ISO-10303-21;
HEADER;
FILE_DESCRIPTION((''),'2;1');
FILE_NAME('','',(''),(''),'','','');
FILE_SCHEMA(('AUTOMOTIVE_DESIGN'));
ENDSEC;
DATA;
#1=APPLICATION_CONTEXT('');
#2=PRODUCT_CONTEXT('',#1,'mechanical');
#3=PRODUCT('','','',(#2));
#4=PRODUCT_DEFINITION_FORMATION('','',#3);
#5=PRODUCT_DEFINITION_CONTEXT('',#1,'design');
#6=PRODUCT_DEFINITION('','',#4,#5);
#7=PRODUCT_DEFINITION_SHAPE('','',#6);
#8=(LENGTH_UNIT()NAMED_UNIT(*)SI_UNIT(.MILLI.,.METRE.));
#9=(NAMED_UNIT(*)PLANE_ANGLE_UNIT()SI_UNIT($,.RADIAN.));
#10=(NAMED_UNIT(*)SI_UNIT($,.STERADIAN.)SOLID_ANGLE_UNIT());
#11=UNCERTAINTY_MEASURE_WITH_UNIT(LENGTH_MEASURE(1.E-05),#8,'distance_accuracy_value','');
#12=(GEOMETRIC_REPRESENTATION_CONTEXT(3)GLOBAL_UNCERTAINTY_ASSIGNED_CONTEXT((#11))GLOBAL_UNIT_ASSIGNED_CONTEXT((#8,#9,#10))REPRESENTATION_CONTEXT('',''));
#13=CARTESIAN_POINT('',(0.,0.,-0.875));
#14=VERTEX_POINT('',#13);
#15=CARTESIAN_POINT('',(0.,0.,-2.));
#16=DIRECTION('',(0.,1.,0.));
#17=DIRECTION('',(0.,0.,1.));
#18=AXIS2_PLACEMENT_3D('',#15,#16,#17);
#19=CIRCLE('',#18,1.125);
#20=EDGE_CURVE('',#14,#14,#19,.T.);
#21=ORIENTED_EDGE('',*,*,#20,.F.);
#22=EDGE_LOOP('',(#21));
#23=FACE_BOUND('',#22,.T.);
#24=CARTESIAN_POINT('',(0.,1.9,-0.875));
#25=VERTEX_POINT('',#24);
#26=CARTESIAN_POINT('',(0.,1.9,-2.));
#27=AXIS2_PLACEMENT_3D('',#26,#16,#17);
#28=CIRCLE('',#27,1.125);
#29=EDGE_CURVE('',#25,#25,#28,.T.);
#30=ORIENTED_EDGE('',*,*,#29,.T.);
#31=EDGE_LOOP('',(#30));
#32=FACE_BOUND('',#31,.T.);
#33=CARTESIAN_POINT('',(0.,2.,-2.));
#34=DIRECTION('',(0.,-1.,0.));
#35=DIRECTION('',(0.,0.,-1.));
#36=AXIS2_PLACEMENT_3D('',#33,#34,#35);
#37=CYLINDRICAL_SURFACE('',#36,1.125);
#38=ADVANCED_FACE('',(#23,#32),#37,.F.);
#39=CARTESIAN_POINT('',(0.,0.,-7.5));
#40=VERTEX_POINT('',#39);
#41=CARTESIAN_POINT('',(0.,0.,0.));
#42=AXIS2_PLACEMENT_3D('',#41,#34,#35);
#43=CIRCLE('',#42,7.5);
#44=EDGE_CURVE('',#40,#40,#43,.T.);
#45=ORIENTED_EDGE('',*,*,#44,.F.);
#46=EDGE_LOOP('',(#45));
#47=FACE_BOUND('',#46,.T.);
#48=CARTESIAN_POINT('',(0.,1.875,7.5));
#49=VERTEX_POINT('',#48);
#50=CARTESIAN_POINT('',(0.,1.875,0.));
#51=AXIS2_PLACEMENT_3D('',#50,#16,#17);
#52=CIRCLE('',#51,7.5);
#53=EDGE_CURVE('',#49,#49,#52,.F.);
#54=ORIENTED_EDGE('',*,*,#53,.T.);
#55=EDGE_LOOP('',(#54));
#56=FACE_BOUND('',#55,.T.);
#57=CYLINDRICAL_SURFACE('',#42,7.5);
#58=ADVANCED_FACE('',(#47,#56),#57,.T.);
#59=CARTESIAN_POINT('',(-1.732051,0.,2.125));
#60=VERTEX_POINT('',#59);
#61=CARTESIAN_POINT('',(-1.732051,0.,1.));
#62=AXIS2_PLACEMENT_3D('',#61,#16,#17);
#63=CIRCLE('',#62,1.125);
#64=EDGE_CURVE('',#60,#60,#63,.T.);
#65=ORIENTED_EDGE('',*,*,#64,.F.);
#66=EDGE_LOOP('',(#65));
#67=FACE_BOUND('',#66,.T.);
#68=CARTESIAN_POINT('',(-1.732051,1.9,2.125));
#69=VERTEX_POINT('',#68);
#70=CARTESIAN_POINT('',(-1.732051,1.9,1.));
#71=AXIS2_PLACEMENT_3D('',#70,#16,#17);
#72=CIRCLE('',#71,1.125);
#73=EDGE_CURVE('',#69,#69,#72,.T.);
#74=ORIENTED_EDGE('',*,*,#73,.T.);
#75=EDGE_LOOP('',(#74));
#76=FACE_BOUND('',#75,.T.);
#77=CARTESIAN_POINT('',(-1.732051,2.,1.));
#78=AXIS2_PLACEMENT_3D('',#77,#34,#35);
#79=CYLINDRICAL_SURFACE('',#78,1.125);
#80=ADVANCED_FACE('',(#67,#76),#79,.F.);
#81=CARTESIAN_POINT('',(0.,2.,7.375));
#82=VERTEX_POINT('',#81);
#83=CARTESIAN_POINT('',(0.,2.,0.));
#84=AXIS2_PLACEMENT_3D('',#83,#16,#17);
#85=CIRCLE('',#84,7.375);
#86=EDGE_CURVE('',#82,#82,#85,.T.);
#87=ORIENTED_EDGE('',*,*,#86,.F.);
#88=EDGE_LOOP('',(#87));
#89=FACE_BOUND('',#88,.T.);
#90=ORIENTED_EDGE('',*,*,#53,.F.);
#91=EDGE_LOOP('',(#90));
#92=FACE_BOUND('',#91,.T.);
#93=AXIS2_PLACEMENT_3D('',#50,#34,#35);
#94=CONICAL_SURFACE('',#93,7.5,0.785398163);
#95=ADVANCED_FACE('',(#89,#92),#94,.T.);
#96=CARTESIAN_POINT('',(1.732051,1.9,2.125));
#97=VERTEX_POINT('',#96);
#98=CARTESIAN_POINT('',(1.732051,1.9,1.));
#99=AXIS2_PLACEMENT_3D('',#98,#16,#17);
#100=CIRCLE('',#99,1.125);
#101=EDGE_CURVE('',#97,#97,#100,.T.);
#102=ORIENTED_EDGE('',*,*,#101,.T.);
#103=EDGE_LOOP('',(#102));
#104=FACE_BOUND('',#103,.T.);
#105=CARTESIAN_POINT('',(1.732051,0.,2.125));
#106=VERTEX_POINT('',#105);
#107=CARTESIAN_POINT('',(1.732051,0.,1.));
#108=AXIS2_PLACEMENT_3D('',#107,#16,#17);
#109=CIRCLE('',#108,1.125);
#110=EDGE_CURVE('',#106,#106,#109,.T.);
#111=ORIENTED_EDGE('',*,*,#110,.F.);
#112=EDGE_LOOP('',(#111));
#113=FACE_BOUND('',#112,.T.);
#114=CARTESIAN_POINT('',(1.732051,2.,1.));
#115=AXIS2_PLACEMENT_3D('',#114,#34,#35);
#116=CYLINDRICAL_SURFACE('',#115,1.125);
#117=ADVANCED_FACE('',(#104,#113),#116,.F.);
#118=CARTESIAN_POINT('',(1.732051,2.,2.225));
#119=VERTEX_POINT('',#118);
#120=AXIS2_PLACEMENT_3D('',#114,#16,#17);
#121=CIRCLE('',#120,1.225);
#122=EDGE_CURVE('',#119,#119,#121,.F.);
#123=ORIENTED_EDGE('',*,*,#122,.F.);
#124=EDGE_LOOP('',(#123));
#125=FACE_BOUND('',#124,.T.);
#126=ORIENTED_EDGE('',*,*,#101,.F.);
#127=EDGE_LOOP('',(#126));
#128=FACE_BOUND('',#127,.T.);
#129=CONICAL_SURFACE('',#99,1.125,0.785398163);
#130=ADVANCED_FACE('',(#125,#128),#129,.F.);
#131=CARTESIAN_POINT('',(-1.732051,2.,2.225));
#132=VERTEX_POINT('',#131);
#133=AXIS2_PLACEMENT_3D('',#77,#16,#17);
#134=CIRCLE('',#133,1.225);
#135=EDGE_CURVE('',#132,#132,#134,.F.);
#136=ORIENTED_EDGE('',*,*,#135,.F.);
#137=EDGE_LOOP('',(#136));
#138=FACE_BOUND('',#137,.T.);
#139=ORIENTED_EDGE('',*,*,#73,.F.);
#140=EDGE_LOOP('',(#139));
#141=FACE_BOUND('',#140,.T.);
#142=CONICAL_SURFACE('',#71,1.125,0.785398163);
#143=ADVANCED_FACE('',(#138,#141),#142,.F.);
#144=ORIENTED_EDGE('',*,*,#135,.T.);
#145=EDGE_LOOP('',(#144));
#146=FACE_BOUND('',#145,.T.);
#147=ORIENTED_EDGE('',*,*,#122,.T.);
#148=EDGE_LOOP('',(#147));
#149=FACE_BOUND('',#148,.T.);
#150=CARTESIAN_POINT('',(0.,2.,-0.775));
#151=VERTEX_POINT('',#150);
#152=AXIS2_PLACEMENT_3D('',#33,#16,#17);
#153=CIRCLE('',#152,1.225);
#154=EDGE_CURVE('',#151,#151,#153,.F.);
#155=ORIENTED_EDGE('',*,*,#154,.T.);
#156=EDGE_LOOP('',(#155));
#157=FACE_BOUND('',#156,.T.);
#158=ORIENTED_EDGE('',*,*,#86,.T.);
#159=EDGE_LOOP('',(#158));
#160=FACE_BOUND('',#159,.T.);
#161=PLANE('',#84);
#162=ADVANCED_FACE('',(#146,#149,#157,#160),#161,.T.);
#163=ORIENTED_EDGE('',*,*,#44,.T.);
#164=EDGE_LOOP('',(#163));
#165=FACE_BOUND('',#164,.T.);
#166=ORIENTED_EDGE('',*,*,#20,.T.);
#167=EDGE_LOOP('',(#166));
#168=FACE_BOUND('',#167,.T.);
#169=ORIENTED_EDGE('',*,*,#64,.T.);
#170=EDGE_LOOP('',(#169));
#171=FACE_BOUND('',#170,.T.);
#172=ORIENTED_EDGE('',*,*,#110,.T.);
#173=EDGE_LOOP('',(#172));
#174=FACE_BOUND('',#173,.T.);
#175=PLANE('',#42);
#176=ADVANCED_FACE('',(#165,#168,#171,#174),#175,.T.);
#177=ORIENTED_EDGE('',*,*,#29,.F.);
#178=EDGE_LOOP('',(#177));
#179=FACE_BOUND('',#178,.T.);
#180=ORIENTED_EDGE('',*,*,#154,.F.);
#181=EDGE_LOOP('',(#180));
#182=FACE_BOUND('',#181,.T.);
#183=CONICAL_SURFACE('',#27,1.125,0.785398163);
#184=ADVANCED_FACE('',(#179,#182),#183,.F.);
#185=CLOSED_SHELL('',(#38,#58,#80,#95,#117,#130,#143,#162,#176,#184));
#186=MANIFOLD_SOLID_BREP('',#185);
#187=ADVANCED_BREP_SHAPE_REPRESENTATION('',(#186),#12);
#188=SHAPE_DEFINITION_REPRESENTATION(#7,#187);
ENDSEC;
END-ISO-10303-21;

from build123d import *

# Parameters (mm, degrees)
SKETCH1_W          = 7.5
SKETCH1_H          = 2
SKETCH2_R          = 1.125
CUT_EXTRUDE1_DEPTH = 11.793516572
CHAMFER2_SIZE      = 0.1
CHAMFER3_SIZE      = 0.125


with BuildPart() as part:
    # Sketch1 → Revolve1 (revolve)
    with BuildSketch(Plane.XY, mode=Mode.PRIVATE) as revolve1_sk:
        with Locations((3.75, 1)):
            Rectangle(SKETCH1_W, SKETCH1_H)
    revolve(revolve1_sk.sketch.rotate(Axis((0, 0, 0), (0, 1, 0)), 90), axis=Axis((0, 0, 0), (0, 1, 0)))

    # Sketch2 → Cut-Extrude1 (cut, through all)
    with BuildSketch(Plane(origin=(0, 0, 0), x_dir=(1, 0, 0), z_dir=(0, 1, 0))):
        with Locations(Location((-1.732050808, -1, 0), (0, 0, 270))):
            Circle(SKETCH2_R)
        with Locations(Location((1.732050808, -1, 0), (0, 0, 270))):
            Circle(SKETCH2_R)
        with Locations(Location((0, 2, 0), (0, 0, 270))):
            Circle(SKETCH2_R)
    extrude(amount=CUT_EXTRUDE1_DEPTH, mode=Mode.SUBTRACT)

    # Chamfer2
    chamfer2_edges = [part.edges().sort_by_distance(p)[0] for p in [
        (0, 2, -3.125),
        (-1.732050808, 2, -0.125),
        (1.732050808, 2, -0.125),
    ]]
    chamfer(chamfer2_edges, length=CHAMFER2_SIZE)

    # Chamfer3
    chamfer3_edges = [part.edges().sort_by_distance(p)[0] for p in [
        (0, 2, 7.5),
    ]]
    chamfer(chamfer3_edges, length=CHAMFER3_SIZE)


solid = part.part
